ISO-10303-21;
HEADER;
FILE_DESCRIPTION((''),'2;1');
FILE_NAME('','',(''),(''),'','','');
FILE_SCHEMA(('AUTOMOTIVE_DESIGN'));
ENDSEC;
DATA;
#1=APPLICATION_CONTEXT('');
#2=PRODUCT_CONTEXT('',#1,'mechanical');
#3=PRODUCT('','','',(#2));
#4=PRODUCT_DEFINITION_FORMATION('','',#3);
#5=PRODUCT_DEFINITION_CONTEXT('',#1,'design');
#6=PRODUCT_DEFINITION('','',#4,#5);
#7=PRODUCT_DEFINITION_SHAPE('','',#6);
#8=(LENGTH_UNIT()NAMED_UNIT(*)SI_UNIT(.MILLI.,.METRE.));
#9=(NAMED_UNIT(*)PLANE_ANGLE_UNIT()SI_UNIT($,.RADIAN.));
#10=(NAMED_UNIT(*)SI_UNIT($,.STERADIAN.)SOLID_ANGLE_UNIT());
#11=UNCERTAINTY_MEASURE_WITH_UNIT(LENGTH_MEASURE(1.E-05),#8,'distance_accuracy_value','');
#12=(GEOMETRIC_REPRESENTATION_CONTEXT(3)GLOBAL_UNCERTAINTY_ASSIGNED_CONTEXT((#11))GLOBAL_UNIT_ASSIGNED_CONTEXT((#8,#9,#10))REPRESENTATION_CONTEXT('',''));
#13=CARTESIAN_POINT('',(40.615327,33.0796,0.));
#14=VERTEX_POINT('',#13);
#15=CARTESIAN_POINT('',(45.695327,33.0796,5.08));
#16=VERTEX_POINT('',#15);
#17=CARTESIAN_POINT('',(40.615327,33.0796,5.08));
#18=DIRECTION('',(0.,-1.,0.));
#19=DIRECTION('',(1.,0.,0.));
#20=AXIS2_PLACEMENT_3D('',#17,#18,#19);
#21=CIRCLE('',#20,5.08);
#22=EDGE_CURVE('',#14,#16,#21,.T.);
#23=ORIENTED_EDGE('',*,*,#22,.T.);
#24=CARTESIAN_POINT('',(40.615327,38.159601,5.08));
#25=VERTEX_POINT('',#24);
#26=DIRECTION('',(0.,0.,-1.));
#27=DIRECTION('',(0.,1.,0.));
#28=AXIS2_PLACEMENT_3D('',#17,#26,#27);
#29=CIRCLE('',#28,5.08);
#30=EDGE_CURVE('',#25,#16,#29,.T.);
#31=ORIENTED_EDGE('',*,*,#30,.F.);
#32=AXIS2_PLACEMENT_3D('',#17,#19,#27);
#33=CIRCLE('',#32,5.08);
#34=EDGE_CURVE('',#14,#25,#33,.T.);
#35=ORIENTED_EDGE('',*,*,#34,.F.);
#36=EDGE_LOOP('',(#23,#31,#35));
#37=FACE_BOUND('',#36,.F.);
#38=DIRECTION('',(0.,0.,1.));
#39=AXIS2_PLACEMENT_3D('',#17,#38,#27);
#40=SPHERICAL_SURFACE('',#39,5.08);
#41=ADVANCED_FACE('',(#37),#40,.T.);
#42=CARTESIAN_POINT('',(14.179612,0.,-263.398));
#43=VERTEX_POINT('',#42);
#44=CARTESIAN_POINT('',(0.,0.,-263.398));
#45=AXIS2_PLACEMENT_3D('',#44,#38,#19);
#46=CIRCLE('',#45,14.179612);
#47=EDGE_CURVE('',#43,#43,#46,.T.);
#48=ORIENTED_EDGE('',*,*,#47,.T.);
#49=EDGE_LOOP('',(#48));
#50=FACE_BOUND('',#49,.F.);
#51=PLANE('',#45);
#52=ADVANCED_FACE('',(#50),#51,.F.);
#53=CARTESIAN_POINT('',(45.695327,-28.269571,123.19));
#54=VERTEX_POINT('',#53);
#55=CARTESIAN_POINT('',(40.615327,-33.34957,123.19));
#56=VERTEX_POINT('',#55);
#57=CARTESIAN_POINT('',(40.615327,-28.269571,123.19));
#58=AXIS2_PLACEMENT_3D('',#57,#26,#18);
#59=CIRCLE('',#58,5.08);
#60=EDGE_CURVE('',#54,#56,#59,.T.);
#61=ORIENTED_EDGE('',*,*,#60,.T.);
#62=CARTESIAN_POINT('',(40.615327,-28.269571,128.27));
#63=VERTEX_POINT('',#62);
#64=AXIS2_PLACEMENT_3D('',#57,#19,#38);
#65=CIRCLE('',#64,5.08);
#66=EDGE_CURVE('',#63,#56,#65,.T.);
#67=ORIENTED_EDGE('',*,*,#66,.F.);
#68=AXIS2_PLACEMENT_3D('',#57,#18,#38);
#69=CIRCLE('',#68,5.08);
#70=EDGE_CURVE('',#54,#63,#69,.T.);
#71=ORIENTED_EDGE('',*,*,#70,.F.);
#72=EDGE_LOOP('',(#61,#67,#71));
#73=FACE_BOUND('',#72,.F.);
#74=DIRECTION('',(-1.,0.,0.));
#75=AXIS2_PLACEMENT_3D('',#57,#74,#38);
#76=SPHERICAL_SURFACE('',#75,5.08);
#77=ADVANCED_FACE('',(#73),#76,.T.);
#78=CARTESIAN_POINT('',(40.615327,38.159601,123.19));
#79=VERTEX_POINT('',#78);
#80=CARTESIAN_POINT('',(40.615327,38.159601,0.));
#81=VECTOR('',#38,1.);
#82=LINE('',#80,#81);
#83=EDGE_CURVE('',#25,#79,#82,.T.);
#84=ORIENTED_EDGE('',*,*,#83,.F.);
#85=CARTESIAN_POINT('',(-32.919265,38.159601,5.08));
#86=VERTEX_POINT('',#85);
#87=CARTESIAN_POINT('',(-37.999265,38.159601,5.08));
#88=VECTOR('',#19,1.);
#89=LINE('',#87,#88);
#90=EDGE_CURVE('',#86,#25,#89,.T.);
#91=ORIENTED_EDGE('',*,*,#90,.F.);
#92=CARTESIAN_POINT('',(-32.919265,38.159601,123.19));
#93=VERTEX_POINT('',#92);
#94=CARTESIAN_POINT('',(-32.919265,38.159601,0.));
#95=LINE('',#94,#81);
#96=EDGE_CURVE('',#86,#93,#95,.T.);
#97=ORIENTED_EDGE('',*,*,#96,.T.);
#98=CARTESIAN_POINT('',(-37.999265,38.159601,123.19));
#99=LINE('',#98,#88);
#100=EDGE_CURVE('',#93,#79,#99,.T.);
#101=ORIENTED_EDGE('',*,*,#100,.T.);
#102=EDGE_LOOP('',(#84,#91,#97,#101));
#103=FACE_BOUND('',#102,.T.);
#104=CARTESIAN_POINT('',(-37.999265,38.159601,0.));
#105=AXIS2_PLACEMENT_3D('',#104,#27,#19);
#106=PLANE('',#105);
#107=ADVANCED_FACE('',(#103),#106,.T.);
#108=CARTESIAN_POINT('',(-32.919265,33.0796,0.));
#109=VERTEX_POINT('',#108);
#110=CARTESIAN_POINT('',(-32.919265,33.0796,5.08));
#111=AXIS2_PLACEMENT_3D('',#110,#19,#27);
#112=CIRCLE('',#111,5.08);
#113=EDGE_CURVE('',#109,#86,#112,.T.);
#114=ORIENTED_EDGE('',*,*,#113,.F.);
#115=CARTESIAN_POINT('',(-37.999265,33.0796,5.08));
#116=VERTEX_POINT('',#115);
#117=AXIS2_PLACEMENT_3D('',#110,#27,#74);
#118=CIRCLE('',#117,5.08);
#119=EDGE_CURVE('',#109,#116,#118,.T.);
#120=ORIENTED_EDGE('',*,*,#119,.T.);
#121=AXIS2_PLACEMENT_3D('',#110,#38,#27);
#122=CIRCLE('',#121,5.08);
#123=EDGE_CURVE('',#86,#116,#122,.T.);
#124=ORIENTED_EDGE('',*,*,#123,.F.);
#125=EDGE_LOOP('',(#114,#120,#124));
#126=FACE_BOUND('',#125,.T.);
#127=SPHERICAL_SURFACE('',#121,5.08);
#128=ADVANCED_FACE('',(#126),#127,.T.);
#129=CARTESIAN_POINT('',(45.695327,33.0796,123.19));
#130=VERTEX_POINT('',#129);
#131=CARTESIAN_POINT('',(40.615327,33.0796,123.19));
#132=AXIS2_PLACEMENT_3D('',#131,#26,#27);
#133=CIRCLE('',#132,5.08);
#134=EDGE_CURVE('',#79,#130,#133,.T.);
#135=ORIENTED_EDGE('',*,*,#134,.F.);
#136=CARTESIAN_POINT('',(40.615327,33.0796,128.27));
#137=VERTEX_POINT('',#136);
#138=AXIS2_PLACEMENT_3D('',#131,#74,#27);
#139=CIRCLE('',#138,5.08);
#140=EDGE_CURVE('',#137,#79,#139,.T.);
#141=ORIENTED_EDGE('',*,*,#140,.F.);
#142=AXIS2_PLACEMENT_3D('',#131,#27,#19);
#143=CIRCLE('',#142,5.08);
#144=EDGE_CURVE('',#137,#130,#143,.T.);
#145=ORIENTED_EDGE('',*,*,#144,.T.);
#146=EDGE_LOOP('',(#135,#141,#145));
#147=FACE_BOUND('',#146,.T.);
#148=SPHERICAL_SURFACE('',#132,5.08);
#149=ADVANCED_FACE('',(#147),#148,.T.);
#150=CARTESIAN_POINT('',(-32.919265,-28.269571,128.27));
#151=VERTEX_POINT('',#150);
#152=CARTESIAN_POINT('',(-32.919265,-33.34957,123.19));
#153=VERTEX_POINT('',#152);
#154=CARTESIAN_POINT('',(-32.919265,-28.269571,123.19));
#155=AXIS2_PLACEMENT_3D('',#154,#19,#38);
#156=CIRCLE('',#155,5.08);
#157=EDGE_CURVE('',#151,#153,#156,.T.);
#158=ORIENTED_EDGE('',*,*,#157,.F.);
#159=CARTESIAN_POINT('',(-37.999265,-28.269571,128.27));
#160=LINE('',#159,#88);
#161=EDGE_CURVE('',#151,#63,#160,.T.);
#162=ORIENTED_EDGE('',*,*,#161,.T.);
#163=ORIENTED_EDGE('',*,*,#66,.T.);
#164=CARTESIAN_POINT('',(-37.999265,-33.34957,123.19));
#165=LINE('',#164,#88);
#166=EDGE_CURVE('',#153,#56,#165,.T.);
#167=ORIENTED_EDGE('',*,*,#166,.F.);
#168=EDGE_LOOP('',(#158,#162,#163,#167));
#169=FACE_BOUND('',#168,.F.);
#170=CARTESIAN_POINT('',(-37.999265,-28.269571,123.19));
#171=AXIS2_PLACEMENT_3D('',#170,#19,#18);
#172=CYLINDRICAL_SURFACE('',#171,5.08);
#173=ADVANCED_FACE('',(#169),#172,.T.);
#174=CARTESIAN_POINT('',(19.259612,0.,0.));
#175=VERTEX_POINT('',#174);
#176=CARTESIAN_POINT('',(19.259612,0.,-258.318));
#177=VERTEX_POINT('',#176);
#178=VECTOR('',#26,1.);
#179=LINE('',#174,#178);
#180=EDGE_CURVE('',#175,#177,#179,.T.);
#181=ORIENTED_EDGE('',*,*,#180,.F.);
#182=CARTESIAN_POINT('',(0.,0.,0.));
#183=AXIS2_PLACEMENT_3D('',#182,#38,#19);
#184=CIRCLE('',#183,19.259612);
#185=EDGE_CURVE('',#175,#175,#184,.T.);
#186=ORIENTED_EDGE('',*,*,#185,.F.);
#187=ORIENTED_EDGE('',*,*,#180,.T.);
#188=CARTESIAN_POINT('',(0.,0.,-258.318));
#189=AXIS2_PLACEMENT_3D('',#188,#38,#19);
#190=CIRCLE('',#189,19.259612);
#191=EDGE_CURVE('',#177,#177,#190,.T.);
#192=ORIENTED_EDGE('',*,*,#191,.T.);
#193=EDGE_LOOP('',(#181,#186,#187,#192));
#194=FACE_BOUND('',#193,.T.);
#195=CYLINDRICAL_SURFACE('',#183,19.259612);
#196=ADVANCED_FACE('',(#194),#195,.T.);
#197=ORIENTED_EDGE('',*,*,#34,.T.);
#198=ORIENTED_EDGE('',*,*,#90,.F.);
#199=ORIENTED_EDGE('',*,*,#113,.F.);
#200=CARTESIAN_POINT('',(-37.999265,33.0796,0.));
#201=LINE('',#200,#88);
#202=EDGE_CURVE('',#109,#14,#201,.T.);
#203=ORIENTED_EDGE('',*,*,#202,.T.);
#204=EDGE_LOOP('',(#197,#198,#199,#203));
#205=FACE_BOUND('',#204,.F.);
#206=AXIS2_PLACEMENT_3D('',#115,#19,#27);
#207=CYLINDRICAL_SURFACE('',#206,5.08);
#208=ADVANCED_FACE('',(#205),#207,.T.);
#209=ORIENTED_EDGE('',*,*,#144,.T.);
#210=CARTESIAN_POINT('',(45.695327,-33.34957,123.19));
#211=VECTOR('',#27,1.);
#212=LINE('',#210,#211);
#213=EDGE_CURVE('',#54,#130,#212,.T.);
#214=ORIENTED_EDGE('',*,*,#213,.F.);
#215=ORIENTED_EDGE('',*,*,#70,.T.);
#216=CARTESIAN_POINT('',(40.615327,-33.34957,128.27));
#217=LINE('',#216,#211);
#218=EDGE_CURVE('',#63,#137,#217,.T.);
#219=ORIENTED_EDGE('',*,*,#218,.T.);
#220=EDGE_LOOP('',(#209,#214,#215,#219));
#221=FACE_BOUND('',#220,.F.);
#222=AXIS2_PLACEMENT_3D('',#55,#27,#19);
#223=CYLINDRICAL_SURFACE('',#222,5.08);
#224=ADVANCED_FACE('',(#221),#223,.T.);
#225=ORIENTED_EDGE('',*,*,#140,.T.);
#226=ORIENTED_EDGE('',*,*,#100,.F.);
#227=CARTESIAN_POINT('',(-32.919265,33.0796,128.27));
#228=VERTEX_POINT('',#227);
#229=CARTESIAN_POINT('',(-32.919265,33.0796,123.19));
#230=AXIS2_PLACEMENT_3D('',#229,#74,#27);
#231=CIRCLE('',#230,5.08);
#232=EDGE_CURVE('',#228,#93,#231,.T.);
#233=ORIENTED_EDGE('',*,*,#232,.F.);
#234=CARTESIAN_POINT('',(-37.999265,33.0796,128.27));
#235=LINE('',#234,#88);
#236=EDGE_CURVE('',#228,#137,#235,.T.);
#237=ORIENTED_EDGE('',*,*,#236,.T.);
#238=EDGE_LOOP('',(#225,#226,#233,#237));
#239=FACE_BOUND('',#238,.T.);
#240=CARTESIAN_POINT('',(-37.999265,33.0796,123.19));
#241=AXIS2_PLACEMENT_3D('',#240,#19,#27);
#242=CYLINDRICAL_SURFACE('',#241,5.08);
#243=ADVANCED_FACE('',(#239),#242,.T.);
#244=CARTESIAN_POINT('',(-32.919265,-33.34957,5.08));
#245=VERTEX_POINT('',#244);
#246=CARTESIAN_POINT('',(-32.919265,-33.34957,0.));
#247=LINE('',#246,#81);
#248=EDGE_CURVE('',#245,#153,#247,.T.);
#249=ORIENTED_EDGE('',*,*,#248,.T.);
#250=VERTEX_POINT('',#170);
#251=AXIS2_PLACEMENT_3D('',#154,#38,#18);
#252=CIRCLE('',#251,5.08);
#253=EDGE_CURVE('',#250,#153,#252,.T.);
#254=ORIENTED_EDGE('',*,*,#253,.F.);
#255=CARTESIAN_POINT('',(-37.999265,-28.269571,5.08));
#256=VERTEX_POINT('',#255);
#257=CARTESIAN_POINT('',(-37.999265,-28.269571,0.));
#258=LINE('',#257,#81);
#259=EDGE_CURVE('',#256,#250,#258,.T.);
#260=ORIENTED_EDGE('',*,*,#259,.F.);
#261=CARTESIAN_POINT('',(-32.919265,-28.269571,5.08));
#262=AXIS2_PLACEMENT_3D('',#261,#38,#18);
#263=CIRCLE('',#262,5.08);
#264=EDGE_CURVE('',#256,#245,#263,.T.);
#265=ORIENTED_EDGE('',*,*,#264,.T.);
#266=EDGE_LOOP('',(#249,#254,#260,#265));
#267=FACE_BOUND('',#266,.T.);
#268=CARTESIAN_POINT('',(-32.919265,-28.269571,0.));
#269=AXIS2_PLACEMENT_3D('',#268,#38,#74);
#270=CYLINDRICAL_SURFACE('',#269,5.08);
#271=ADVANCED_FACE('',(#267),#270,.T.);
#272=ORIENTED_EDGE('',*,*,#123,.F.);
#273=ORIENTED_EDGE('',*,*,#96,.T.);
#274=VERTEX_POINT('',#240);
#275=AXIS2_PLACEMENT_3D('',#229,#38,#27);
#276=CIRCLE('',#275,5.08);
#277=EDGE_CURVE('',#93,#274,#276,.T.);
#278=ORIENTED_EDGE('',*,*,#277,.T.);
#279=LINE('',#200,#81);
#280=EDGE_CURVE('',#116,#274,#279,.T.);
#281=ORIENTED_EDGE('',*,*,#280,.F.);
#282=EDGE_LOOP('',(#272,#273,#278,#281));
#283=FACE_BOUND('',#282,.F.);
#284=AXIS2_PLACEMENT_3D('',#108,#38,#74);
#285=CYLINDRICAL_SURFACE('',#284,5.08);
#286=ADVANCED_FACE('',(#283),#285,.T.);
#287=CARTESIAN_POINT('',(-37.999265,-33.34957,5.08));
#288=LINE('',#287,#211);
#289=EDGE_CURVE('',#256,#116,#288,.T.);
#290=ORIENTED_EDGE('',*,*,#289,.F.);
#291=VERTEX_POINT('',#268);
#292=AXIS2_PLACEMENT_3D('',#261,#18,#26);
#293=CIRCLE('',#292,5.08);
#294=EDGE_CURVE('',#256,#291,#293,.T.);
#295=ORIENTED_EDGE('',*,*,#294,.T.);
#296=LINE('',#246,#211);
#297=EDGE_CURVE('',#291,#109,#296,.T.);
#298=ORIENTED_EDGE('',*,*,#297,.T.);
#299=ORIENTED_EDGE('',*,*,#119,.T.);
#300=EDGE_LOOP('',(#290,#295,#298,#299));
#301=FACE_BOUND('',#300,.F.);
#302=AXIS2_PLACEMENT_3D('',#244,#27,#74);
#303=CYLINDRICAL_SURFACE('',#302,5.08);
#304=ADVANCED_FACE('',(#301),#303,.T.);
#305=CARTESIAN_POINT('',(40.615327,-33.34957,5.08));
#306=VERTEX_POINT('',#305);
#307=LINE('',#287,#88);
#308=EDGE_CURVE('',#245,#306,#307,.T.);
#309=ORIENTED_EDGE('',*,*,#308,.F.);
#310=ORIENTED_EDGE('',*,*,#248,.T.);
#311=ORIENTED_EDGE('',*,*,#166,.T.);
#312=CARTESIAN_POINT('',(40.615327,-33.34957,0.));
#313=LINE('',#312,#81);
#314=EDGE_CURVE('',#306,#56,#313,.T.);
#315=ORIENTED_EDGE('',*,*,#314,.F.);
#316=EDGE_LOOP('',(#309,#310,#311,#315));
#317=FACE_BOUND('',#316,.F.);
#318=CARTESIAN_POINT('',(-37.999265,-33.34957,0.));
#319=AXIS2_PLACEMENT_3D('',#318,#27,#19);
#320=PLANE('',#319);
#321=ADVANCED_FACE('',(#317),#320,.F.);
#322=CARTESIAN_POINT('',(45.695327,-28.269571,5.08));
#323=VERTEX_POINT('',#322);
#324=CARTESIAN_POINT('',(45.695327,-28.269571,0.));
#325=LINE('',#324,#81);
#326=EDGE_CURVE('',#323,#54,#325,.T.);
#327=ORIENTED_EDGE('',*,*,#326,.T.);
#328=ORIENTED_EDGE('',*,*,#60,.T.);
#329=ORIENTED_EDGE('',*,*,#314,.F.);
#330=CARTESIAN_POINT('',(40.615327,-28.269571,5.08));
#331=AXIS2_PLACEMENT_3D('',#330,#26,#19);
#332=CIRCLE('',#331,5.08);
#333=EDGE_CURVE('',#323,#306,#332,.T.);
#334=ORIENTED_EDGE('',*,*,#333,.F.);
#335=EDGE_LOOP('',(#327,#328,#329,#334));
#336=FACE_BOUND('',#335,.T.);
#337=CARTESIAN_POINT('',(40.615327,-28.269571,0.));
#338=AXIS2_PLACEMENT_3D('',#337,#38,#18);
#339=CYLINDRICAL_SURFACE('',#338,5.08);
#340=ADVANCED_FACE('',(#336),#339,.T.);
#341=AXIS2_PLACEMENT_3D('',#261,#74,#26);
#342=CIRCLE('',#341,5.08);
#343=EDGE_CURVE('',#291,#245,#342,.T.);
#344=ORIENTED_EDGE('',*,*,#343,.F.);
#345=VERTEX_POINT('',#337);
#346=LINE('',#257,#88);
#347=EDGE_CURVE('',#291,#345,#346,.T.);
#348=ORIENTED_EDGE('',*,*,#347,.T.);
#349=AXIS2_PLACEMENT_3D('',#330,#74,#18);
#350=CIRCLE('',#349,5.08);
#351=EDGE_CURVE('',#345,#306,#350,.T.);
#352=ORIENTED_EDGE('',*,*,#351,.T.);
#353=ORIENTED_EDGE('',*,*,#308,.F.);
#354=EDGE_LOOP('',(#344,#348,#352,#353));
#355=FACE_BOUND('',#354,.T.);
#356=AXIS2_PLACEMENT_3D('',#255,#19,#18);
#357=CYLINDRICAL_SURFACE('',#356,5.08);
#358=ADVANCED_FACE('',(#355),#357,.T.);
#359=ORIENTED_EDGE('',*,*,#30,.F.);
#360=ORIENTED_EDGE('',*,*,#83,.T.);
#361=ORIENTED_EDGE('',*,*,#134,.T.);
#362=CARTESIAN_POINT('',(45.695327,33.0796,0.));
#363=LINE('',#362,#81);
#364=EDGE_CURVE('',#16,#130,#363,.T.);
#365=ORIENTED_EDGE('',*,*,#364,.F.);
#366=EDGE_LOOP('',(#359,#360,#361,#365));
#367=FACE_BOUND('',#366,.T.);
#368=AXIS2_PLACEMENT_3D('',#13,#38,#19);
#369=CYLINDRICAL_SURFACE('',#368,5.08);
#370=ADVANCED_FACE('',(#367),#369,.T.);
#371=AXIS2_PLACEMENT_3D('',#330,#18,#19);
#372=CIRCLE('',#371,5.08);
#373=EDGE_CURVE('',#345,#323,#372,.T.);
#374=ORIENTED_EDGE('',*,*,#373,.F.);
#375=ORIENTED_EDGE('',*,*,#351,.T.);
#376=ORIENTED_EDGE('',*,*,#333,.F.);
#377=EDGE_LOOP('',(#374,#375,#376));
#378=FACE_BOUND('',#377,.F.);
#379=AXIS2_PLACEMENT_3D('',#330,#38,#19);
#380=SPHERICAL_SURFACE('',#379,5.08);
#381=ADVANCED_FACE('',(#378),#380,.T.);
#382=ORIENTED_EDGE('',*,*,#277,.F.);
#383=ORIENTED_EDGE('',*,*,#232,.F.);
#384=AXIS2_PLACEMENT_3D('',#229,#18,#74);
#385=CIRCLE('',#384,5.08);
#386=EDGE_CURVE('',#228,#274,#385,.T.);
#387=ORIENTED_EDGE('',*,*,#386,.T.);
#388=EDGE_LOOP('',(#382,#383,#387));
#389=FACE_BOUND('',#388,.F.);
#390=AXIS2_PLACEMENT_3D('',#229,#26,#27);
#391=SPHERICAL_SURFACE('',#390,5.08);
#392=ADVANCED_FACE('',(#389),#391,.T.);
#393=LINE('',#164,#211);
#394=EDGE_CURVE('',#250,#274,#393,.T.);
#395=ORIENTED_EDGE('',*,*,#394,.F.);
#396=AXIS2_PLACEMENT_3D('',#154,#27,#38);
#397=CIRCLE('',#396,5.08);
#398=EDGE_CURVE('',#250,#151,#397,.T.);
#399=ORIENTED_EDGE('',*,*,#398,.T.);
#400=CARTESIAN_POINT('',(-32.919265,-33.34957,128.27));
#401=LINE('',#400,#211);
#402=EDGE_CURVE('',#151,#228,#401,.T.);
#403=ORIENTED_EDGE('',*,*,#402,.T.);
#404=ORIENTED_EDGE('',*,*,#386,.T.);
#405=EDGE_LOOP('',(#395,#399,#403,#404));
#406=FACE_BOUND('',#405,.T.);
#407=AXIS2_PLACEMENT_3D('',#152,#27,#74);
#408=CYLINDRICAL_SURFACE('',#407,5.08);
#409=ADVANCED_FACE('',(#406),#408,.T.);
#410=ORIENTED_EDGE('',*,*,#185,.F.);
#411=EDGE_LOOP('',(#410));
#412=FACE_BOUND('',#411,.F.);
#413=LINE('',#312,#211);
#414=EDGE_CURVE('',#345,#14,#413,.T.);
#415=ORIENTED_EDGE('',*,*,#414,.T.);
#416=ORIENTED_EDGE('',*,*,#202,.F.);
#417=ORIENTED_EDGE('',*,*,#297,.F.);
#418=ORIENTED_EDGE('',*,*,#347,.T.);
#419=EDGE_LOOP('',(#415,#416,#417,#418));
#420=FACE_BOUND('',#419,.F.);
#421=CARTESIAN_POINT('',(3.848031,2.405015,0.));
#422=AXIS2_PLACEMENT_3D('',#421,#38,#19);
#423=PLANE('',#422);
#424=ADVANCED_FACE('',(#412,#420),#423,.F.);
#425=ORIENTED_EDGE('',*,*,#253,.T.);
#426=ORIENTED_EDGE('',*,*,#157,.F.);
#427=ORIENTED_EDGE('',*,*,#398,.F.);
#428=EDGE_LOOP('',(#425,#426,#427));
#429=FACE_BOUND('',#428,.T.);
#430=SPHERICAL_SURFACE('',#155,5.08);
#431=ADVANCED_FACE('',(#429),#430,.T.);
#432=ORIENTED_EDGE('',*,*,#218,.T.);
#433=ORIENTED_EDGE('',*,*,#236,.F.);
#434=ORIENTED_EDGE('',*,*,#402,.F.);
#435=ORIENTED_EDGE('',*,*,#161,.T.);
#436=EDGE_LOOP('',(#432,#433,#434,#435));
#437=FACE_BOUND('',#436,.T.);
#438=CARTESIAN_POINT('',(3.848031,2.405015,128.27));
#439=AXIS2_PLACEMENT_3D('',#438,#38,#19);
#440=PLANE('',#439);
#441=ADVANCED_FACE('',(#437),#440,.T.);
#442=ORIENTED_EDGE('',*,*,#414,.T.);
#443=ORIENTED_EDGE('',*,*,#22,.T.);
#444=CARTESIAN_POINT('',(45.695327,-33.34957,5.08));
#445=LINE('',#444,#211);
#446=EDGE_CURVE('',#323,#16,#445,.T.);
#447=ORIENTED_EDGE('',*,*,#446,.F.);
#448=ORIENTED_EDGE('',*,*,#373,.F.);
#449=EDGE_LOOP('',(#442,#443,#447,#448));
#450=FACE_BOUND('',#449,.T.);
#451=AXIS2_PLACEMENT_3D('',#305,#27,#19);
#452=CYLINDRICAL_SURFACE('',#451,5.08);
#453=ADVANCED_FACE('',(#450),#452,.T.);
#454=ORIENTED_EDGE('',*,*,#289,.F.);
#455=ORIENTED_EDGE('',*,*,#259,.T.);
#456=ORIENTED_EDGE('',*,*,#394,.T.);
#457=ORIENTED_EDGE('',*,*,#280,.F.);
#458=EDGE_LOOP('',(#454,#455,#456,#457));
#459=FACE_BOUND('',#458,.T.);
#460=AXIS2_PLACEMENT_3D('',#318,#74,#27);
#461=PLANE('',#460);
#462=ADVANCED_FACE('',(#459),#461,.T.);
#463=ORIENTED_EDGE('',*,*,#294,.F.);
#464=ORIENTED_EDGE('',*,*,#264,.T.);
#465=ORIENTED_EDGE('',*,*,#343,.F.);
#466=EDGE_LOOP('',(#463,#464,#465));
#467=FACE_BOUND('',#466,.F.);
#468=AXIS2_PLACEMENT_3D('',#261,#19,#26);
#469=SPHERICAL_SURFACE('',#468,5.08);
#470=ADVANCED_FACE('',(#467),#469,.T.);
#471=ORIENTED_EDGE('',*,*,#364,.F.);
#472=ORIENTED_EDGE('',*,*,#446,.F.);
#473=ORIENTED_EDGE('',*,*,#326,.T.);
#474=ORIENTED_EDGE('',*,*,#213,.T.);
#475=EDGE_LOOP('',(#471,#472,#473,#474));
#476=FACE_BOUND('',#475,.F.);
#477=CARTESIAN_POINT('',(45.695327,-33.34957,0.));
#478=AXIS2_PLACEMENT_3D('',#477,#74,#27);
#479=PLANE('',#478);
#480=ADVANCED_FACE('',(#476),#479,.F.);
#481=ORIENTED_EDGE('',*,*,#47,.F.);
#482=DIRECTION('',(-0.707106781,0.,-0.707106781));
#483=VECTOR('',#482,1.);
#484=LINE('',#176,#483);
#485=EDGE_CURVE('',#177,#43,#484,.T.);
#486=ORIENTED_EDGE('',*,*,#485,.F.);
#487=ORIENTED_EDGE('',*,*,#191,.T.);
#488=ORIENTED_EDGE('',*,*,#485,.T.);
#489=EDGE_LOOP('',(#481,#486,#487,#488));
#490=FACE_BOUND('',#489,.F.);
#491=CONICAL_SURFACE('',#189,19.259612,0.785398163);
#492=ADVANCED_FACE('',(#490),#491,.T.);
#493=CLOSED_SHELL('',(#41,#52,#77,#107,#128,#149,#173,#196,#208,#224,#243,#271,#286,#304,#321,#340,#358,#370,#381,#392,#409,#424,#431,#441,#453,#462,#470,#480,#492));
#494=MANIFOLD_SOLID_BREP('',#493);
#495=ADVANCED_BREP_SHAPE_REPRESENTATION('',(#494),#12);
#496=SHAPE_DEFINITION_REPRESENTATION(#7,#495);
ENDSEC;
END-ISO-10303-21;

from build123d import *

# Parameters (mm, degrees)
F0_W     = 83.694592
F0_H     = 71.509171
F1_DEPTH = 128.27
F2_R     = 5.08
F3_R     = 19.259612
F4_DEPTH = 263.398
F5_SIZE  = 5.08


with BuildPart() as f1:
    # F0 (on Top) → F1 (new body)
    with BuildSketch(Plane.XY):
        with Locations((3.848031, 2.405015)):
            Rectangle(F0_W, F0_H)
    extrude(amount=F1_DEPTH)

    # F2
    f2_edges = [f1.edges().sort_by_distance(p)[0] for p in [
        (45.695327, 38.159601, 64.135),
        (-37.999265, 38.159601, 64.135),
        (3.848031, 38.159601, 0),
        (3.848031, 38.159601, 128.27),
        (3.848031, -33.34957, 128.27),
        (45.695327, 2.405016, 128.27),
        (-37.999265, 2.405016, 128.27),
        (45.695327, -33.34957, 64.135),
        (45.695327, 2.405016, 0),
        (3.848031, -33.34957, 0),
        (-37.999265, 2.405016, 0),
        (-37.999265, -33.34957, 64.135),
    ]]
    fillet(f2_edges, radius=F2_R)

    # F3 (on Top) → F4 (join)
    with BuildSketch(Plane.XY):
        Circle(F3_R)
    extrude(amount=-F4_DEPTH)

    # F5
    f5_edges = [f1.edges().sort_by_distance(p)[0] for p in [
        (-19.259612, 0, -263.398),
    ]]
    chamfer(f5_edges, length=F5_SIZE)


solid = f1.part
